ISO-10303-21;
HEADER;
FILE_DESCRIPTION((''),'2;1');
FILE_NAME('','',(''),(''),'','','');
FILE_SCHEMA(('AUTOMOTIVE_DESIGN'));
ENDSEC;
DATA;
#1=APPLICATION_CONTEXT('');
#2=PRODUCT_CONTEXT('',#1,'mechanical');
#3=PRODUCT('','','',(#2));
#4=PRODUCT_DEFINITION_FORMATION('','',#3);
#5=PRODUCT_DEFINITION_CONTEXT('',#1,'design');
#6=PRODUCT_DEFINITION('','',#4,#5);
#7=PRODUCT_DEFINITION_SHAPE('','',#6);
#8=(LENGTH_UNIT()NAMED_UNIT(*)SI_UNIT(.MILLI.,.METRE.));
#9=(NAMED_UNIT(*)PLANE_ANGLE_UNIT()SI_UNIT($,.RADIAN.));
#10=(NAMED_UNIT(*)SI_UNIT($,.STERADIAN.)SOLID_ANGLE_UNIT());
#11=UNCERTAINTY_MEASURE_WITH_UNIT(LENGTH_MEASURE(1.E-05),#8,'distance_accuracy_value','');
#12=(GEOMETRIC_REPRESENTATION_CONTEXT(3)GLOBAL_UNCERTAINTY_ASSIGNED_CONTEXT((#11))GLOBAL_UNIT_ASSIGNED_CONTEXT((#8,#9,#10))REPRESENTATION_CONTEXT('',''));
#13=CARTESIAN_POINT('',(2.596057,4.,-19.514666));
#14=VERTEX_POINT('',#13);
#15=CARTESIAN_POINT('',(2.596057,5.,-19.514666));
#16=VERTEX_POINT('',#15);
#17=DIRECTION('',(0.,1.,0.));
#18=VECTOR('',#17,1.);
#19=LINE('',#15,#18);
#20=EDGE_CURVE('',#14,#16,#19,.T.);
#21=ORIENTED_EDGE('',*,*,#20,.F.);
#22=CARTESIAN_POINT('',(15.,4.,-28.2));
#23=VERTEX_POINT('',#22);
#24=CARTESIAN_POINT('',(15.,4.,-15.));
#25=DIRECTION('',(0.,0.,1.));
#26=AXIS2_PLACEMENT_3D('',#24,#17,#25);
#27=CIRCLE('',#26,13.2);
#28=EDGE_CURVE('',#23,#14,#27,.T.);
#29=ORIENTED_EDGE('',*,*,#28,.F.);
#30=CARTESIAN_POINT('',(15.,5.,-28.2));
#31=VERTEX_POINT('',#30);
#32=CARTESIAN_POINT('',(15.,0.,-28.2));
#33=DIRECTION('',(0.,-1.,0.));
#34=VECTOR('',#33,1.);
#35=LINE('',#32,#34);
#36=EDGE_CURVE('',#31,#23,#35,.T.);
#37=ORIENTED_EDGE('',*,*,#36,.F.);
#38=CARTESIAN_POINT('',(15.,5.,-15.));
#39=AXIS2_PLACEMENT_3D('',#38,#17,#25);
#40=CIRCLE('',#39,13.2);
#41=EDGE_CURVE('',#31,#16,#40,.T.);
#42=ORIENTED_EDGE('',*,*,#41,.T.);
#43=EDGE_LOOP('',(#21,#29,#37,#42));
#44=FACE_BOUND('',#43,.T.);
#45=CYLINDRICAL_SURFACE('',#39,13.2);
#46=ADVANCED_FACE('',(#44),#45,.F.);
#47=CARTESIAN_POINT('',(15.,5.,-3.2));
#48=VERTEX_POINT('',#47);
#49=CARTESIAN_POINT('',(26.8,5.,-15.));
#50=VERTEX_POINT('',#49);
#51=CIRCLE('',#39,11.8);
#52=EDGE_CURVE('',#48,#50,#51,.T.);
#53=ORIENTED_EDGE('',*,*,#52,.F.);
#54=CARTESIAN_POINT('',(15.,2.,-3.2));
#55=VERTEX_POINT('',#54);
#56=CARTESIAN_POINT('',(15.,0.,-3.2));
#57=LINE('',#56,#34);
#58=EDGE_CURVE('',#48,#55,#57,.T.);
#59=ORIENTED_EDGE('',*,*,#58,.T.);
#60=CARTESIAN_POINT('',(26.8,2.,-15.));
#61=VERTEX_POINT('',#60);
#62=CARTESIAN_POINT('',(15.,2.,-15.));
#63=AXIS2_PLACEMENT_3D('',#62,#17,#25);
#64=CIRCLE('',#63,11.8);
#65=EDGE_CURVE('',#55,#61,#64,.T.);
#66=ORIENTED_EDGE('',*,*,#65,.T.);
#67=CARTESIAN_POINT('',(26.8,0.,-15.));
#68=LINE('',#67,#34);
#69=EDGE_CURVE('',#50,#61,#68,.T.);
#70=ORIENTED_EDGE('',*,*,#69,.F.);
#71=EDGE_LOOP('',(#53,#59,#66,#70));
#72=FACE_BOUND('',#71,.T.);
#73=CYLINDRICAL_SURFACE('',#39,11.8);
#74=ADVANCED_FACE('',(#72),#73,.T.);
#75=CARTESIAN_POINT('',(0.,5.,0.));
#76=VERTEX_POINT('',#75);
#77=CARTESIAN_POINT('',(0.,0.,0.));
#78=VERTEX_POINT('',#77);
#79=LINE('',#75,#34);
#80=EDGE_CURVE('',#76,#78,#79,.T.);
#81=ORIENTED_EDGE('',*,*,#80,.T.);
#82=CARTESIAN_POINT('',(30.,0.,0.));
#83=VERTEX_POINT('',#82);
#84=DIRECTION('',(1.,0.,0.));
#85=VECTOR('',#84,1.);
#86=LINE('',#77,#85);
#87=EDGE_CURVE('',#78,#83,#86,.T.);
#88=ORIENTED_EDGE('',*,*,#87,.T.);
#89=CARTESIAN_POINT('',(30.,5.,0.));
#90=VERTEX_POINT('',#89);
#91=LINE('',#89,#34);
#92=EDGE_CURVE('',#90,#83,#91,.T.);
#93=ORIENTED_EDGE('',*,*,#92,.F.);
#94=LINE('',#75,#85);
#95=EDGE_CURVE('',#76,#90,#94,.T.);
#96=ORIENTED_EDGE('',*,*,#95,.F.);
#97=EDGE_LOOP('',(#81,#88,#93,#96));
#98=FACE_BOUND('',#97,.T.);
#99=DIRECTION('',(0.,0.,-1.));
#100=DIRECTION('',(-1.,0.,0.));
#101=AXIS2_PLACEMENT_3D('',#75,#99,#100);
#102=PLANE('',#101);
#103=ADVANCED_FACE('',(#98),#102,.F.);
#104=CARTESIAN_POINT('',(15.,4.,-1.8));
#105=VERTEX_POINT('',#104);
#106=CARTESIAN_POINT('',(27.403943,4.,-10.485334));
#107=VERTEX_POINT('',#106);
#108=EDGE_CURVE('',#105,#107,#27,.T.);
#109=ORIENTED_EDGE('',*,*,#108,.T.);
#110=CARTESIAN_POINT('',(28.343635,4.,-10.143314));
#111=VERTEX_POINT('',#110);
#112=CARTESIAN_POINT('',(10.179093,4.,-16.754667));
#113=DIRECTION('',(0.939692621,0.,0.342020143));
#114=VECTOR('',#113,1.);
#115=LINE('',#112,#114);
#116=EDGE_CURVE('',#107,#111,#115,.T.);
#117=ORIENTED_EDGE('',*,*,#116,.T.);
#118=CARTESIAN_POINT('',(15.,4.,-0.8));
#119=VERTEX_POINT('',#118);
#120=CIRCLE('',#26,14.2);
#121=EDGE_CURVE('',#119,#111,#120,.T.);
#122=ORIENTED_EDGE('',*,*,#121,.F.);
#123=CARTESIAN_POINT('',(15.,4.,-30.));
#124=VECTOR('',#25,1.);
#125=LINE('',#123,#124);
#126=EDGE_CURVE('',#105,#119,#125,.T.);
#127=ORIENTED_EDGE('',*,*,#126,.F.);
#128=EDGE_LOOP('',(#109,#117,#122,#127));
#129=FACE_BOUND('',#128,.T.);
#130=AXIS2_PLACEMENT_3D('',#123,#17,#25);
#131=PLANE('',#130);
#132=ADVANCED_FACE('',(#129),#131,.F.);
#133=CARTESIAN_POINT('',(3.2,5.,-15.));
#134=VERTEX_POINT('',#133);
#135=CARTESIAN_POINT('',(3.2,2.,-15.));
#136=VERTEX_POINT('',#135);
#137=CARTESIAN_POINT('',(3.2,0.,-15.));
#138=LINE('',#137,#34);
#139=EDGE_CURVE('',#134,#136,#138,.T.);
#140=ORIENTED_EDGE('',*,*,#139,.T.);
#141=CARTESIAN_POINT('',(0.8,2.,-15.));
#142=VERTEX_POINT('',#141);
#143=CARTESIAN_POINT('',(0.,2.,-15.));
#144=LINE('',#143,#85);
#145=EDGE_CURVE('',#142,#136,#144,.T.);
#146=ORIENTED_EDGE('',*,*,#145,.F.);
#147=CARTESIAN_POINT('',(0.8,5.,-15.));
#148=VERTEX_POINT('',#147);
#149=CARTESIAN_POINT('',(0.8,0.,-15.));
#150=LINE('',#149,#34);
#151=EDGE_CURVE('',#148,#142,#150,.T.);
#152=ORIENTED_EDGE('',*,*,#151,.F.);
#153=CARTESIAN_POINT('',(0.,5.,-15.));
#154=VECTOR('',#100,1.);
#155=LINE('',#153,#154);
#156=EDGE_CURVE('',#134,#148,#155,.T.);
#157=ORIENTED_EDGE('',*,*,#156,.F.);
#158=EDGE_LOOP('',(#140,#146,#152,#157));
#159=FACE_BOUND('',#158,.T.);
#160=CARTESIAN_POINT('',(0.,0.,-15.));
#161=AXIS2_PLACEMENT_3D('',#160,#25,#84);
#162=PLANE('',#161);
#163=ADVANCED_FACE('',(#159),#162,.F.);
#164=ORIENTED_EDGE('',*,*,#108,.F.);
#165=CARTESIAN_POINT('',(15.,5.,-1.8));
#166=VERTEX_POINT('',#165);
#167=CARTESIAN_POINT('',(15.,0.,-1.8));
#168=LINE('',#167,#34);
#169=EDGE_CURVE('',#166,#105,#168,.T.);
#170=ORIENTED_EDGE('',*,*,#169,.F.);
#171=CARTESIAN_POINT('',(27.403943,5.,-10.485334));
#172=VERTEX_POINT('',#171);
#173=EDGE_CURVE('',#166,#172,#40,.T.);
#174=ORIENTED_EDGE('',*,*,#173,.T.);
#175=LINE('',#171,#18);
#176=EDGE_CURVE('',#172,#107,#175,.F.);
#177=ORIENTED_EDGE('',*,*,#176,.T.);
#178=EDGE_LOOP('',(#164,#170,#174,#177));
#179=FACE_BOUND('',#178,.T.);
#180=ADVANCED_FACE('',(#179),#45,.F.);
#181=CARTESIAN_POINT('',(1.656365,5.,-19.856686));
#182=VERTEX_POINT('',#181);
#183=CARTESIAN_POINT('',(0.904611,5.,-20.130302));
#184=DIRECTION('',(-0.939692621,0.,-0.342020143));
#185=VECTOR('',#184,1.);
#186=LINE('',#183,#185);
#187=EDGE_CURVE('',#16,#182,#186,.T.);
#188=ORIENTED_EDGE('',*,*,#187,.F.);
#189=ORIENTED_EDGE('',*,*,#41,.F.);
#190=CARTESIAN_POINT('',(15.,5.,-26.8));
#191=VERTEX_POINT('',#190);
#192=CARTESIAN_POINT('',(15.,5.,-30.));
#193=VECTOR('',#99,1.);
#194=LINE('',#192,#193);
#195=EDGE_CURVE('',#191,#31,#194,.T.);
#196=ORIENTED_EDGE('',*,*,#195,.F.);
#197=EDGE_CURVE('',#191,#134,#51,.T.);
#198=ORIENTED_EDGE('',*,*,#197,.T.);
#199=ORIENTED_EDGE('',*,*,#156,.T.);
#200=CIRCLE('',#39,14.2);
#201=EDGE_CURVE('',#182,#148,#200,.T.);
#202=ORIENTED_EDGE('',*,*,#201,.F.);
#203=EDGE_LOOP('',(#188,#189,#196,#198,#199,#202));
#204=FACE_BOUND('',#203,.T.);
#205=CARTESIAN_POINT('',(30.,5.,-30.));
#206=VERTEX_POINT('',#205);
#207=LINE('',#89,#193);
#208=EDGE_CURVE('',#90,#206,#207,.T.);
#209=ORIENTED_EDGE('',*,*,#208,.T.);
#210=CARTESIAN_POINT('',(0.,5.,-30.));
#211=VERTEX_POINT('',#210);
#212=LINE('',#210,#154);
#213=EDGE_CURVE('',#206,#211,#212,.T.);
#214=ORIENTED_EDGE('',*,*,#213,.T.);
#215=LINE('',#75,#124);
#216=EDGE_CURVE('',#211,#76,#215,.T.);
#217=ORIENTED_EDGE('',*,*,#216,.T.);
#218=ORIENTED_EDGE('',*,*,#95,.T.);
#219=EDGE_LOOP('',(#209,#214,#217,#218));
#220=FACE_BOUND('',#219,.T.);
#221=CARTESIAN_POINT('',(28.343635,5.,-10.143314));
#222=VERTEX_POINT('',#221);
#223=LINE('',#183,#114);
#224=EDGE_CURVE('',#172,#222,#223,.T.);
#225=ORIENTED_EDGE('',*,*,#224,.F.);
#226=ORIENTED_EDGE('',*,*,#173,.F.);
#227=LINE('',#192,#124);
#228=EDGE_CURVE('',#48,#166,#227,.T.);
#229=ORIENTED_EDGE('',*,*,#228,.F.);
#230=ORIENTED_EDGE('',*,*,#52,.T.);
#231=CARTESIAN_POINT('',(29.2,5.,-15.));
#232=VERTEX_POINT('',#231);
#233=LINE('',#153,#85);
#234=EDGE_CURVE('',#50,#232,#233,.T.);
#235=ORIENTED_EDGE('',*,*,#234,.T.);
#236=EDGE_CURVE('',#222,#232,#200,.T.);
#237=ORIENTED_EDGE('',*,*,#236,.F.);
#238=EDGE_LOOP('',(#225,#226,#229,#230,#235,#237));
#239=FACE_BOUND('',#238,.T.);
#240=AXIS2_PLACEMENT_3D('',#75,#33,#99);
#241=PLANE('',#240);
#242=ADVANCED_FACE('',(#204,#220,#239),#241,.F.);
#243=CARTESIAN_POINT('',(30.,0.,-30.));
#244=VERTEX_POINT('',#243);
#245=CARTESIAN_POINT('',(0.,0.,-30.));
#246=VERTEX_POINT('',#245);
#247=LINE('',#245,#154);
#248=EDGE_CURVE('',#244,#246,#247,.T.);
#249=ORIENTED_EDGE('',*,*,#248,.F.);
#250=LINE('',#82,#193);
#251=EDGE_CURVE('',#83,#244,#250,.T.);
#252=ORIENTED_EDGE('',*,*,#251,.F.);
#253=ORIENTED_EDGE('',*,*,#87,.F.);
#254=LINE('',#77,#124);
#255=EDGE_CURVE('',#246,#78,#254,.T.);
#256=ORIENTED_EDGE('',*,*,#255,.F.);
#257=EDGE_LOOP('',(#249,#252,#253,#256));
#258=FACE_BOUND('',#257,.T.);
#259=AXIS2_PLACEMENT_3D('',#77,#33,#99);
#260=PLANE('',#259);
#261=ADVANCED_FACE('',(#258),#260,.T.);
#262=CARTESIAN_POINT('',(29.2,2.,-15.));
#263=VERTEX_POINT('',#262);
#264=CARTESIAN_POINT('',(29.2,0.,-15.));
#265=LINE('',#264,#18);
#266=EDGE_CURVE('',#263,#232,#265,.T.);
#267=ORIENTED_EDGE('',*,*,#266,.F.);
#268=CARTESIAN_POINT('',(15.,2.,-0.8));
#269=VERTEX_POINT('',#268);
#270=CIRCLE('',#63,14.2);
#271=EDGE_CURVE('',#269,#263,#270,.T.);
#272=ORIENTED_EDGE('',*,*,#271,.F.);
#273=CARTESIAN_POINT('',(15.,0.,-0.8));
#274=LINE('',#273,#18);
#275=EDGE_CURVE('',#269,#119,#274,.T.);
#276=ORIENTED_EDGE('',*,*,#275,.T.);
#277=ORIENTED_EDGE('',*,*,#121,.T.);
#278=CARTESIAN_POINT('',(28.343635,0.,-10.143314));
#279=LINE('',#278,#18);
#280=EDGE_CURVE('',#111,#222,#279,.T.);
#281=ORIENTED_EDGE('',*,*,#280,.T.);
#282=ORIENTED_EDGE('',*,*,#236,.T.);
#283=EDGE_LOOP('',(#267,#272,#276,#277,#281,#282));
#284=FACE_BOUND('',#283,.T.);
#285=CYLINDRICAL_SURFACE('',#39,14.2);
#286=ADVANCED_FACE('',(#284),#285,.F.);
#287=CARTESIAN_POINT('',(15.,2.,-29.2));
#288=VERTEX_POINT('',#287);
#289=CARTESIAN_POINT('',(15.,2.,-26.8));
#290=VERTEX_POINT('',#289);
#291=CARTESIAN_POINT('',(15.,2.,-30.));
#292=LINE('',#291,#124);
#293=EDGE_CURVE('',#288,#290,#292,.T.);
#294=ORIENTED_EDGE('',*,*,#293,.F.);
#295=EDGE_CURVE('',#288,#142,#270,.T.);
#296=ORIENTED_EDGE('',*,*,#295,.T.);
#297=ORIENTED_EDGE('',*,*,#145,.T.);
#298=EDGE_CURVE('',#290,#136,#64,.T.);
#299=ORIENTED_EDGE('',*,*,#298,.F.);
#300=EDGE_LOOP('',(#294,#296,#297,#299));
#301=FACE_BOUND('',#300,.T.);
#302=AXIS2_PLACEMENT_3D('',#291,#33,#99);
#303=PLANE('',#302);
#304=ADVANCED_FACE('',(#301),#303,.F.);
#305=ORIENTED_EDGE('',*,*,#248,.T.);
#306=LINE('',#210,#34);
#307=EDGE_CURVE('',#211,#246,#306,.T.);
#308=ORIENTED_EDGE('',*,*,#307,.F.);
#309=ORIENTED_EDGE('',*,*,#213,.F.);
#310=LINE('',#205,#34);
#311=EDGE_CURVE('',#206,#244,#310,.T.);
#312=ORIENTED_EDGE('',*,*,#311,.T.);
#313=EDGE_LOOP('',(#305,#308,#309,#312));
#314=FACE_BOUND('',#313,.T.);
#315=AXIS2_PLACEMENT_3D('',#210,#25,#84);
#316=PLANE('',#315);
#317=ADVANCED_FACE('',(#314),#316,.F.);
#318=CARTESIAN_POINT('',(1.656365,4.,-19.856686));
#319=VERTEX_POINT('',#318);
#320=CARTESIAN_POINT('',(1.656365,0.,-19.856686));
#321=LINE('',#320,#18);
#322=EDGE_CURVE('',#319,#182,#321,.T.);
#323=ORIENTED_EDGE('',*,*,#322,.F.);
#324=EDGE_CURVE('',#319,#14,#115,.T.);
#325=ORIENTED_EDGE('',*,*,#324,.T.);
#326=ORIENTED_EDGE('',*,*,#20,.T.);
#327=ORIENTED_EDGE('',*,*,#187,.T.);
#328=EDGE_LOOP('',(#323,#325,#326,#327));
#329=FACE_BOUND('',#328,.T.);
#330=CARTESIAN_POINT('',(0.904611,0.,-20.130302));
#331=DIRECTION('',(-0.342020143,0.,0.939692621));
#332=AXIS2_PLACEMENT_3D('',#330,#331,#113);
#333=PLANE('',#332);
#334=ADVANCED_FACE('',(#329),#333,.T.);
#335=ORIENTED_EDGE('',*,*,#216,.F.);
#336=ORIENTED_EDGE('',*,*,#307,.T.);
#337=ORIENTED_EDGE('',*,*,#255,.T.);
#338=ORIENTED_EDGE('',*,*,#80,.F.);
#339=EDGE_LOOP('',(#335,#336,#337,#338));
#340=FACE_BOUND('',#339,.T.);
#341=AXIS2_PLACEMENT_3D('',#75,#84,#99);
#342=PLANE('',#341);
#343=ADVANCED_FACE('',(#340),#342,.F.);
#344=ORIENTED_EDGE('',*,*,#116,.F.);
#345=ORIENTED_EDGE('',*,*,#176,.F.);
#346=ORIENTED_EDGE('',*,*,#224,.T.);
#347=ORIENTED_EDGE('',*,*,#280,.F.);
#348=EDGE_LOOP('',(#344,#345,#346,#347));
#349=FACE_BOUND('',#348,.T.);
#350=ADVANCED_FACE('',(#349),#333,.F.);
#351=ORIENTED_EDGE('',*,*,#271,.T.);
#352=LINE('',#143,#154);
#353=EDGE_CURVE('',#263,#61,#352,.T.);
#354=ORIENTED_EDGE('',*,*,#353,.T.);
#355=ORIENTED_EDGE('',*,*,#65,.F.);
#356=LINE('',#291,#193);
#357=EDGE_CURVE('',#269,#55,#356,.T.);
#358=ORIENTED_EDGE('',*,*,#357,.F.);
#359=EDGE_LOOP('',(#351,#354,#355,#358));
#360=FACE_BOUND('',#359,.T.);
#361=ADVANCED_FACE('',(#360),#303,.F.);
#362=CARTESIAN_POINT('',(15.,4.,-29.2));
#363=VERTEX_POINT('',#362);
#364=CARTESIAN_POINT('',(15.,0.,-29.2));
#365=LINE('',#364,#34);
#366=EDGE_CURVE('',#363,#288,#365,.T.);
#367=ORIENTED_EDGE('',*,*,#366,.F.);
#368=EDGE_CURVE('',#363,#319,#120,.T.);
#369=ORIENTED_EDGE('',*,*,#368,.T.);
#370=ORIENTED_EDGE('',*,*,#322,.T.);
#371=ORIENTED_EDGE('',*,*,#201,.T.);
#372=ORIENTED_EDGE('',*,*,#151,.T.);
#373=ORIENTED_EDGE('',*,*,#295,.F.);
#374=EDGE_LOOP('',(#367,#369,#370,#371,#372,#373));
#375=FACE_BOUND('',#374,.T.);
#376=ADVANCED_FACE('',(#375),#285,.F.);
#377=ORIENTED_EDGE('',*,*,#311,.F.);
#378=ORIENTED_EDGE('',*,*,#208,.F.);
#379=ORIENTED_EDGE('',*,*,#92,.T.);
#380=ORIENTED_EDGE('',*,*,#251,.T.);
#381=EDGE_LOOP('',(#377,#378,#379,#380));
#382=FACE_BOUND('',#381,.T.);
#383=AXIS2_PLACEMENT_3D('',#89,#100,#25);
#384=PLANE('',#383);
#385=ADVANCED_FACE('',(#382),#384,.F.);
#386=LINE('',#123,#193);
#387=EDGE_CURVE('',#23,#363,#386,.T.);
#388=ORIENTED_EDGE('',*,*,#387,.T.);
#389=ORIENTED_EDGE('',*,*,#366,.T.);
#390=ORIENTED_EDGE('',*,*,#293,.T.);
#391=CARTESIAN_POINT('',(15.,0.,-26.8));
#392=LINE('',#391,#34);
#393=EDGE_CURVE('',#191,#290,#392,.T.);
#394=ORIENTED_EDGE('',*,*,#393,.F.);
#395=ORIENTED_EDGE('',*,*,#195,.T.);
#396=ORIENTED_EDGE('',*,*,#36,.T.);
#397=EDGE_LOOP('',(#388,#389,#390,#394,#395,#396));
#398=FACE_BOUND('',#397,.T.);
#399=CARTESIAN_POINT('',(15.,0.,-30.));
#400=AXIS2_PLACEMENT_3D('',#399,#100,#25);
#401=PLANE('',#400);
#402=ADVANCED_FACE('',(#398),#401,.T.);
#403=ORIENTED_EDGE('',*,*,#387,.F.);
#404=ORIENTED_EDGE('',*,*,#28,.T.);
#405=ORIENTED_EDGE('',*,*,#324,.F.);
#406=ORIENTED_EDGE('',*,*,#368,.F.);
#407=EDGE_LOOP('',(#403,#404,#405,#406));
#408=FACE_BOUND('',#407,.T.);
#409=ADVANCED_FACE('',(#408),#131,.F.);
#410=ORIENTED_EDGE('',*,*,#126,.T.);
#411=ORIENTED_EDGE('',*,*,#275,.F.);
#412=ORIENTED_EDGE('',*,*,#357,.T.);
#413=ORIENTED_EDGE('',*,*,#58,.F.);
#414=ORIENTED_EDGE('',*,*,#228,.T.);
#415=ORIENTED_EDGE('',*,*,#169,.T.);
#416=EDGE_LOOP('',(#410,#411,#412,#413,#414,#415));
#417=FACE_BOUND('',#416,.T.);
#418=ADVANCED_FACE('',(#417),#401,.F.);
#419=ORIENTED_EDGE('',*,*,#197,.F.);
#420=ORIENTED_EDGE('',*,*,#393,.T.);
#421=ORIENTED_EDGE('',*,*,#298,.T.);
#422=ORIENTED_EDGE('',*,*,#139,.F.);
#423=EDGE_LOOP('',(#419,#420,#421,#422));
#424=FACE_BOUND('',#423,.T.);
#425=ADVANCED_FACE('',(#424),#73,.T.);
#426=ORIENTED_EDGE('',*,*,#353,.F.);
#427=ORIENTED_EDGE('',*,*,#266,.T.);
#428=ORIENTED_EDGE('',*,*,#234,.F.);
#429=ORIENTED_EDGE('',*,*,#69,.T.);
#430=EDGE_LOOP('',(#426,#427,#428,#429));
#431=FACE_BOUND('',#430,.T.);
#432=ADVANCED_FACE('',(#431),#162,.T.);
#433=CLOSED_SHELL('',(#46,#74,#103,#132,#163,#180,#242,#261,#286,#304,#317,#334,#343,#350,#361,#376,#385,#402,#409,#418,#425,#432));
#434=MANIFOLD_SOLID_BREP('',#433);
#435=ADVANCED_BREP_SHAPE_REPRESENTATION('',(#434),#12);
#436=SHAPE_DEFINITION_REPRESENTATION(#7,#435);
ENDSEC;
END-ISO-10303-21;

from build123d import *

# Parameters (mm, degrees)
SKETCH1_W           = 30
SKETCH1_H           = 30
BOSS_EXTRUDE1_DEPTH = 5
CUT_REVOLVE2_ANGLE  = 90
SKETCH2_5_W         = 2.4
SKETCH2_5_H         = 3
SKETCH2_5_W_2       = 1
SKETCH2_5_H_2       = 1
CUT_REVOLVE3_ANGLE  = 20


with BuildPart() as part:
    # Sketch1 → Boss-Extrude1 (new body)
    with BuildSketch(Plane(origin=(0, 0, 0), x_dir=(1, 0, 0), z_dir=(0, 1, 0))):
        with Locations((15, 15)):
            Rectangle(SKETCH1_W, SKETCH1_H)
    extrude(amount=BOSS_EXTRUDE1_DEPTH)

    # Sketch2 → Cut-Revolve2 (revolve, cut)
    with BuildSketch(Plane.XY.offset(-15)):
        Polygon((1.8, 4), (0.8, 4), (0.8, 2), (3.2, 2), (3.2, 5), (1.8, 5), align=None)
        Polygon((26.8, 2), (29.2, 2), (29.2, 4), (28.2, 4), (28.2, 5), (26.8, 5), align=None)
    revolve(axis=Axis((15, 5, -15), (0, -1, 0)), revolution_arc=CUT_REVOLVE2_ANGLE, mode=Mode.SUBTRACT)

    # Sketch2<5> → Cut-Revolve3 (revolve, cut)
    with BuildSketch(Plane.XY.offset(-15)):
        with Locations((2, 3.5)):
            Rectangle(SKETCH2_5_W, SKETCH2_5_H)
        with Locations((28.7, 4.5)):
            Rectangle(SKETCH2_5_W_2, SKETCH2_5_H_2)
    revolve(axis=Axis((15, 5, -15), (0, -1, 0)), revolution_arc=CUT_REVOLVE3_ANGLE, mode=Mode.SUBTRACT)


solid = part.part
